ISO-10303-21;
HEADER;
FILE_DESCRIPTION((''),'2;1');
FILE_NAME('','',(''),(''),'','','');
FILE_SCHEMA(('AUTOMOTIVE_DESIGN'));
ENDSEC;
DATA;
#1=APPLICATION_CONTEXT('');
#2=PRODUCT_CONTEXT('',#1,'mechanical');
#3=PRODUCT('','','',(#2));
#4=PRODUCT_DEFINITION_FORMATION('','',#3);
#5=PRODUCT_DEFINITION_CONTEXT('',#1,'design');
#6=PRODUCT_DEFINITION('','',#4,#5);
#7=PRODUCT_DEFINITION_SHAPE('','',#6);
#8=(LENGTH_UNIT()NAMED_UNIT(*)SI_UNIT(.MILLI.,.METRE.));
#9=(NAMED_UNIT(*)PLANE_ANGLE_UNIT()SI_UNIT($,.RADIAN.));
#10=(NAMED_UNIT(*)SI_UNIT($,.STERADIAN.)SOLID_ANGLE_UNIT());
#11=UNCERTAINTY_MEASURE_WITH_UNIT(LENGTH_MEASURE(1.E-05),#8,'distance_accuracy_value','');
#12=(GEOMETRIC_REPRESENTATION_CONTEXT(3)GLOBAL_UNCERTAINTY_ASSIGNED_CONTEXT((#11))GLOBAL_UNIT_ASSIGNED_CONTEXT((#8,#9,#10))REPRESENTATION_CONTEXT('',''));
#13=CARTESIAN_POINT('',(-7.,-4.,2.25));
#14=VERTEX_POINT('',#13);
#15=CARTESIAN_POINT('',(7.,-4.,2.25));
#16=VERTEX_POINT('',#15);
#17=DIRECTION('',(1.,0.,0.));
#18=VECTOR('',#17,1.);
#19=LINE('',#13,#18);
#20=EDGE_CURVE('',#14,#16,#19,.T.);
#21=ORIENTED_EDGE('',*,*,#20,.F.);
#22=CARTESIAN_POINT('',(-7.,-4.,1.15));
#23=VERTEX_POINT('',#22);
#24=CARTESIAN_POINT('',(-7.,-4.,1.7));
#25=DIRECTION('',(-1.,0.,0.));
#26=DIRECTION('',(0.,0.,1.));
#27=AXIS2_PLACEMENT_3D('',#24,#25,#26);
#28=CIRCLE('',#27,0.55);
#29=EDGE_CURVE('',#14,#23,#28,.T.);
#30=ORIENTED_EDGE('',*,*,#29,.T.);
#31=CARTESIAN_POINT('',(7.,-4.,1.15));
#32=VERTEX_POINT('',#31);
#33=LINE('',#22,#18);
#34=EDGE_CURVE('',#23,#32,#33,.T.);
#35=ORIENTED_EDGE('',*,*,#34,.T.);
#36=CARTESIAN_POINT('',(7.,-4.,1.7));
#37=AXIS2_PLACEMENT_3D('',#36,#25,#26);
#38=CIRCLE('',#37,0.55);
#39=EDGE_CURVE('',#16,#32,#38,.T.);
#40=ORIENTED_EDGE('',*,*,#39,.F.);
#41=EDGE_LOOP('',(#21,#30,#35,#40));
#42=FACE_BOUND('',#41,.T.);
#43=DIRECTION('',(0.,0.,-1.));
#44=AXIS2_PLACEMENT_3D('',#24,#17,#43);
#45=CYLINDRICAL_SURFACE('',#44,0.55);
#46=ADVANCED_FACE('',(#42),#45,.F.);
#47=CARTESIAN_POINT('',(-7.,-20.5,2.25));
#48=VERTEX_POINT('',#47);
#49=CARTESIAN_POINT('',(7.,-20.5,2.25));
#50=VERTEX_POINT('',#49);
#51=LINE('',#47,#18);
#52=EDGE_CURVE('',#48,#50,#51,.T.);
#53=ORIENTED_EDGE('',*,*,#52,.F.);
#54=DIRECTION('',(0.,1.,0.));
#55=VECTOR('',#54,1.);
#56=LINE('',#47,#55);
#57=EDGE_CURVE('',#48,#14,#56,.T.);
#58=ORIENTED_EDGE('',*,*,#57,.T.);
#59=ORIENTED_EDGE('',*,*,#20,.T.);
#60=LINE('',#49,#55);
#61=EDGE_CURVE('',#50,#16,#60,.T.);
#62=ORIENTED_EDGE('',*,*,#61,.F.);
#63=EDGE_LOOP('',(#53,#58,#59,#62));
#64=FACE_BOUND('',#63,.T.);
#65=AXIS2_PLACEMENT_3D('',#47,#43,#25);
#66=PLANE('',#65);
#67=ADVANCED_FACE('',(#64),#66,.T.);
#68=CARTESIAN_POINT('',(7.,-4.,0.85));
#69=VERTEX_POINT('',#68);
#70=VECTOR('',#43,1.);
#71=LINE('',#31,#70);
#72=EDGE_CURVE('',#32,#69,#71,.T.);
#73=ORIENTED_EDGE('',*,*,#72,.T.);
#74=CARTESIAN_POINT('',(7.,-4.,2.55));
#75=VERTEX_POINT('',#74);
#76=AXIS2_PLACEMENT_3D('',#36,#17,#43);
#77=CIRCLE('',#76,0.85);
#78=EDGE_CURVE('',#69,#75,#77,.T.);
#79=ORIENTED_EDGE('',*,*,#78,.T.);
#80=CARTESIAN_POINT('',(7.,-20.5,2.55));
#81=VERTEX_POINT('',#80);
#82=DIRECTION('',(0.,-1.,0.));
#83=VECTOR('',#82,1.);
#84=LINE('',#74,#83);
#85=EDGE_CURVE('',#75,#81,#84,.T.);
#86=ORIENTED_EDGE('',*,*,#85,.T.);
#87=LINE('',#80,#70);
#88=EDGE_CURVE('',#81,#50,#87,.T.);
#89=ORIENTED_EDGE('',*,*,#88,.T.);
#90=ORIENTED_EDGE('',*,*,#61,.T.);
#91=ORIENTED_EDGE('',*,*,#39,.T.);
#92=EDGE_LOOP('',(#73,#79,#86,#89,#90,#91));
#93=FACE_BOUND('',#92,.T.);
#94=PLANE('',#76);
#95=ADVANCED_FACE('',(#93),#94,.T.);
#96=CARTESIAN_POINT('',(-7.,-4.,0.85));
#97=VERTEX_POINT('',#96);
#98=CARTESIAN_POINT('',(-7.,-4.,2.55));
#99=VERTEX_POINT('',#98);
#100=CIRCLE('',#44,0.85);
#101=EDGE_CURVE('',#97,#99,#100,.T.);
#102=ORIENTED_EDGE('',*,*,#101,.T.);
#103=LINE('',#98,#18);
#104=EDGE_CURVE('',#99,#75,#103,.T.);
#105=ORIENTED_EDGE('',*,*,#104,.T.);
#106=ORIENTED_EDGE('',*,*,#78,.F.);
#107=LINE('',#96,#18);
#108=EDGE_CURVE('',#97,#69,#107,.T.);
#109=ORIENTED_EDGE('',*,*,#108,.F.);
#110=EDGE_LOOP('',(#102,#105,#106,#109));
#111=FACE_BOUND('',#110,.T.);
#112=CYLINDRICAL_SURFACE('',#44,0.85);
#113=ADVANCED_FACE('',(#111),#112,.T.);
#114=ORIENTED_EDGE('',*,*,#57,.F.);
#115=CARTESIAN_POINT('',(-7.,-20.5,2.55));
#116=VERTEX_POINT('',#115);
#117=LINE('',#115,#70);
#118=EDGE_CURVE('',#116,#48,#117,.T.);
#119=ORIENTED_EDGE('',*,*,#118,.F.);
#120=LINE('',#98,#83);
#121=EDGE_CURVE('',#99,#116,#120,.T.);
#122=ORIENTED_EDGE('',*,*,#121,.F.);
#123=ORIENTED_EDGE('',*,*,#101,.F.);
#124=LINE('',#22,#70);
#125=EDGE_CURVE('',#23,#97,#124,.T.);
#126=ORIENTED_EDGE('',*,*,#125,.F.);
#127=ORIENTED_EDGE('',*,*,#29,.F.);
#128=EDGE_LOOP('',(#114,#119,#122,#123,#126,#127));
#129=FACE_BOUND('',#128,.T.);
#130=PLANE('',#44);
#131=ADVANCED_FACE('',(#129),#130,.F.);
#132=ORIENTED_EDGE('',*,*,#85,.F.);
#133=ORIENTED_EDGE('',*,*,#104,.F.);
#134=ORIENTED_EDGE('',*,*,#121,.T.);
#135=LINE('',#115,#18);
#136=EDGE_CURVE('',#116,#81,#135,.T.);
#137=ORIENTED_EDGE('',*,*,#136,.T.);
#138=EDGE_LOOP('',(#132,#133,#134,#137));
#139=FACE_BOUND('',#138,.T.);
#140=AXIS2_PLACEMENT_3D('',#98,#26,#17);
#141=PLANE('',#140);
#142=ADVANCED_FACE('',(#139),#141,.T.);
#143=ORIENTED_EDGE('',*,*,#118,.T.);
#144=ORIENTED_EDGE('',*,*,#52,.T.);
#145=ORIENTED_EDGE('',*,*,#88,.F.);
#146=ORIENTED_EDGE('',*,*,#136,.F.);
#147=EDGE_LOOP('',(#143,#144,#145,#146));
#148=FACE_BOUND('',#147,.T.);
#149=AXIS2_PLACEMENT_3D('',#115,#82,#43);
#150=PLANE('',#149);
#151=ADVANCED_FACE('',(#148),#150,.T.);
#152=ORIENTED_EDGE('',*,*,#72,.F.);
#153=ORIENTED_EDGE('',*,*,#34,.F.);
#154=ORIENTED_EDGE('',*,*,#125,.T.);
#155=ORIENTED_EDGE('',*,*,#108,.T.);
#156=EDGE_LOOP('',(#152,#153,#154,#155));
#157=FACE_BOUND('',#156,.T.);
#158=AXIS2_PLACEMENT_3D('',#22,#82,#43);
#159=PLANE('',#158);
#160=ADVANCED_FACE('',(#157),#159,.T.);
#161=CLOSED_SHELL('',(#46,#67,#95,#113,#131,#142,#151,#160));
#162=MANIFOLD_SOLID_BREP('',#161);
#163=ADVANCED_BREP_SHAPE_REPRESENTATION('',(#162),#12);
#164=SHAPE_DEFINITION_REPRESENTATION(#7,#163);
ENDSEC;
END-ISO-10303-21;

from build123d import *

# Parameters (mm, degrees)
EXTRUDE_1_DEPTH      = 7
EXTRUDE_1_DEPTH_BACK = 7


with BuildPart() as part:
    # 草圖1 → 填料-伸長1 (new, two sides: drawn at the far end of the back side and taken through both)
    with BuildSketch(Plane(origin=(0, 0, 0), x_dir=(0, 0, -1), z_dir=(1, 0, 0)).offset(-EXTRUDE_1_DEPTH_BACK)):
        with BuildLine():
            Line((-2.55, -4), (-2.55, -20.5))
            Line((-2.55, -20.5), (-2.25, -20.5))
            Line((-2.25, -20.5), (-2.25, -4))
            ThreePointArc((-2.25, -4), (-1.7, -3.45), (-1.15, -4))
            Line((-1.15, -4), (-0.85, -4))
            ThreePointArc((-0.85, -4), (-1.7, -3.15), (-2.55, -4))
        make_face()
    extrude(amount=EXTRUDE_1_DEPTH + EXTRUDE_1_DEPTH_BACK)


solid = part.part
